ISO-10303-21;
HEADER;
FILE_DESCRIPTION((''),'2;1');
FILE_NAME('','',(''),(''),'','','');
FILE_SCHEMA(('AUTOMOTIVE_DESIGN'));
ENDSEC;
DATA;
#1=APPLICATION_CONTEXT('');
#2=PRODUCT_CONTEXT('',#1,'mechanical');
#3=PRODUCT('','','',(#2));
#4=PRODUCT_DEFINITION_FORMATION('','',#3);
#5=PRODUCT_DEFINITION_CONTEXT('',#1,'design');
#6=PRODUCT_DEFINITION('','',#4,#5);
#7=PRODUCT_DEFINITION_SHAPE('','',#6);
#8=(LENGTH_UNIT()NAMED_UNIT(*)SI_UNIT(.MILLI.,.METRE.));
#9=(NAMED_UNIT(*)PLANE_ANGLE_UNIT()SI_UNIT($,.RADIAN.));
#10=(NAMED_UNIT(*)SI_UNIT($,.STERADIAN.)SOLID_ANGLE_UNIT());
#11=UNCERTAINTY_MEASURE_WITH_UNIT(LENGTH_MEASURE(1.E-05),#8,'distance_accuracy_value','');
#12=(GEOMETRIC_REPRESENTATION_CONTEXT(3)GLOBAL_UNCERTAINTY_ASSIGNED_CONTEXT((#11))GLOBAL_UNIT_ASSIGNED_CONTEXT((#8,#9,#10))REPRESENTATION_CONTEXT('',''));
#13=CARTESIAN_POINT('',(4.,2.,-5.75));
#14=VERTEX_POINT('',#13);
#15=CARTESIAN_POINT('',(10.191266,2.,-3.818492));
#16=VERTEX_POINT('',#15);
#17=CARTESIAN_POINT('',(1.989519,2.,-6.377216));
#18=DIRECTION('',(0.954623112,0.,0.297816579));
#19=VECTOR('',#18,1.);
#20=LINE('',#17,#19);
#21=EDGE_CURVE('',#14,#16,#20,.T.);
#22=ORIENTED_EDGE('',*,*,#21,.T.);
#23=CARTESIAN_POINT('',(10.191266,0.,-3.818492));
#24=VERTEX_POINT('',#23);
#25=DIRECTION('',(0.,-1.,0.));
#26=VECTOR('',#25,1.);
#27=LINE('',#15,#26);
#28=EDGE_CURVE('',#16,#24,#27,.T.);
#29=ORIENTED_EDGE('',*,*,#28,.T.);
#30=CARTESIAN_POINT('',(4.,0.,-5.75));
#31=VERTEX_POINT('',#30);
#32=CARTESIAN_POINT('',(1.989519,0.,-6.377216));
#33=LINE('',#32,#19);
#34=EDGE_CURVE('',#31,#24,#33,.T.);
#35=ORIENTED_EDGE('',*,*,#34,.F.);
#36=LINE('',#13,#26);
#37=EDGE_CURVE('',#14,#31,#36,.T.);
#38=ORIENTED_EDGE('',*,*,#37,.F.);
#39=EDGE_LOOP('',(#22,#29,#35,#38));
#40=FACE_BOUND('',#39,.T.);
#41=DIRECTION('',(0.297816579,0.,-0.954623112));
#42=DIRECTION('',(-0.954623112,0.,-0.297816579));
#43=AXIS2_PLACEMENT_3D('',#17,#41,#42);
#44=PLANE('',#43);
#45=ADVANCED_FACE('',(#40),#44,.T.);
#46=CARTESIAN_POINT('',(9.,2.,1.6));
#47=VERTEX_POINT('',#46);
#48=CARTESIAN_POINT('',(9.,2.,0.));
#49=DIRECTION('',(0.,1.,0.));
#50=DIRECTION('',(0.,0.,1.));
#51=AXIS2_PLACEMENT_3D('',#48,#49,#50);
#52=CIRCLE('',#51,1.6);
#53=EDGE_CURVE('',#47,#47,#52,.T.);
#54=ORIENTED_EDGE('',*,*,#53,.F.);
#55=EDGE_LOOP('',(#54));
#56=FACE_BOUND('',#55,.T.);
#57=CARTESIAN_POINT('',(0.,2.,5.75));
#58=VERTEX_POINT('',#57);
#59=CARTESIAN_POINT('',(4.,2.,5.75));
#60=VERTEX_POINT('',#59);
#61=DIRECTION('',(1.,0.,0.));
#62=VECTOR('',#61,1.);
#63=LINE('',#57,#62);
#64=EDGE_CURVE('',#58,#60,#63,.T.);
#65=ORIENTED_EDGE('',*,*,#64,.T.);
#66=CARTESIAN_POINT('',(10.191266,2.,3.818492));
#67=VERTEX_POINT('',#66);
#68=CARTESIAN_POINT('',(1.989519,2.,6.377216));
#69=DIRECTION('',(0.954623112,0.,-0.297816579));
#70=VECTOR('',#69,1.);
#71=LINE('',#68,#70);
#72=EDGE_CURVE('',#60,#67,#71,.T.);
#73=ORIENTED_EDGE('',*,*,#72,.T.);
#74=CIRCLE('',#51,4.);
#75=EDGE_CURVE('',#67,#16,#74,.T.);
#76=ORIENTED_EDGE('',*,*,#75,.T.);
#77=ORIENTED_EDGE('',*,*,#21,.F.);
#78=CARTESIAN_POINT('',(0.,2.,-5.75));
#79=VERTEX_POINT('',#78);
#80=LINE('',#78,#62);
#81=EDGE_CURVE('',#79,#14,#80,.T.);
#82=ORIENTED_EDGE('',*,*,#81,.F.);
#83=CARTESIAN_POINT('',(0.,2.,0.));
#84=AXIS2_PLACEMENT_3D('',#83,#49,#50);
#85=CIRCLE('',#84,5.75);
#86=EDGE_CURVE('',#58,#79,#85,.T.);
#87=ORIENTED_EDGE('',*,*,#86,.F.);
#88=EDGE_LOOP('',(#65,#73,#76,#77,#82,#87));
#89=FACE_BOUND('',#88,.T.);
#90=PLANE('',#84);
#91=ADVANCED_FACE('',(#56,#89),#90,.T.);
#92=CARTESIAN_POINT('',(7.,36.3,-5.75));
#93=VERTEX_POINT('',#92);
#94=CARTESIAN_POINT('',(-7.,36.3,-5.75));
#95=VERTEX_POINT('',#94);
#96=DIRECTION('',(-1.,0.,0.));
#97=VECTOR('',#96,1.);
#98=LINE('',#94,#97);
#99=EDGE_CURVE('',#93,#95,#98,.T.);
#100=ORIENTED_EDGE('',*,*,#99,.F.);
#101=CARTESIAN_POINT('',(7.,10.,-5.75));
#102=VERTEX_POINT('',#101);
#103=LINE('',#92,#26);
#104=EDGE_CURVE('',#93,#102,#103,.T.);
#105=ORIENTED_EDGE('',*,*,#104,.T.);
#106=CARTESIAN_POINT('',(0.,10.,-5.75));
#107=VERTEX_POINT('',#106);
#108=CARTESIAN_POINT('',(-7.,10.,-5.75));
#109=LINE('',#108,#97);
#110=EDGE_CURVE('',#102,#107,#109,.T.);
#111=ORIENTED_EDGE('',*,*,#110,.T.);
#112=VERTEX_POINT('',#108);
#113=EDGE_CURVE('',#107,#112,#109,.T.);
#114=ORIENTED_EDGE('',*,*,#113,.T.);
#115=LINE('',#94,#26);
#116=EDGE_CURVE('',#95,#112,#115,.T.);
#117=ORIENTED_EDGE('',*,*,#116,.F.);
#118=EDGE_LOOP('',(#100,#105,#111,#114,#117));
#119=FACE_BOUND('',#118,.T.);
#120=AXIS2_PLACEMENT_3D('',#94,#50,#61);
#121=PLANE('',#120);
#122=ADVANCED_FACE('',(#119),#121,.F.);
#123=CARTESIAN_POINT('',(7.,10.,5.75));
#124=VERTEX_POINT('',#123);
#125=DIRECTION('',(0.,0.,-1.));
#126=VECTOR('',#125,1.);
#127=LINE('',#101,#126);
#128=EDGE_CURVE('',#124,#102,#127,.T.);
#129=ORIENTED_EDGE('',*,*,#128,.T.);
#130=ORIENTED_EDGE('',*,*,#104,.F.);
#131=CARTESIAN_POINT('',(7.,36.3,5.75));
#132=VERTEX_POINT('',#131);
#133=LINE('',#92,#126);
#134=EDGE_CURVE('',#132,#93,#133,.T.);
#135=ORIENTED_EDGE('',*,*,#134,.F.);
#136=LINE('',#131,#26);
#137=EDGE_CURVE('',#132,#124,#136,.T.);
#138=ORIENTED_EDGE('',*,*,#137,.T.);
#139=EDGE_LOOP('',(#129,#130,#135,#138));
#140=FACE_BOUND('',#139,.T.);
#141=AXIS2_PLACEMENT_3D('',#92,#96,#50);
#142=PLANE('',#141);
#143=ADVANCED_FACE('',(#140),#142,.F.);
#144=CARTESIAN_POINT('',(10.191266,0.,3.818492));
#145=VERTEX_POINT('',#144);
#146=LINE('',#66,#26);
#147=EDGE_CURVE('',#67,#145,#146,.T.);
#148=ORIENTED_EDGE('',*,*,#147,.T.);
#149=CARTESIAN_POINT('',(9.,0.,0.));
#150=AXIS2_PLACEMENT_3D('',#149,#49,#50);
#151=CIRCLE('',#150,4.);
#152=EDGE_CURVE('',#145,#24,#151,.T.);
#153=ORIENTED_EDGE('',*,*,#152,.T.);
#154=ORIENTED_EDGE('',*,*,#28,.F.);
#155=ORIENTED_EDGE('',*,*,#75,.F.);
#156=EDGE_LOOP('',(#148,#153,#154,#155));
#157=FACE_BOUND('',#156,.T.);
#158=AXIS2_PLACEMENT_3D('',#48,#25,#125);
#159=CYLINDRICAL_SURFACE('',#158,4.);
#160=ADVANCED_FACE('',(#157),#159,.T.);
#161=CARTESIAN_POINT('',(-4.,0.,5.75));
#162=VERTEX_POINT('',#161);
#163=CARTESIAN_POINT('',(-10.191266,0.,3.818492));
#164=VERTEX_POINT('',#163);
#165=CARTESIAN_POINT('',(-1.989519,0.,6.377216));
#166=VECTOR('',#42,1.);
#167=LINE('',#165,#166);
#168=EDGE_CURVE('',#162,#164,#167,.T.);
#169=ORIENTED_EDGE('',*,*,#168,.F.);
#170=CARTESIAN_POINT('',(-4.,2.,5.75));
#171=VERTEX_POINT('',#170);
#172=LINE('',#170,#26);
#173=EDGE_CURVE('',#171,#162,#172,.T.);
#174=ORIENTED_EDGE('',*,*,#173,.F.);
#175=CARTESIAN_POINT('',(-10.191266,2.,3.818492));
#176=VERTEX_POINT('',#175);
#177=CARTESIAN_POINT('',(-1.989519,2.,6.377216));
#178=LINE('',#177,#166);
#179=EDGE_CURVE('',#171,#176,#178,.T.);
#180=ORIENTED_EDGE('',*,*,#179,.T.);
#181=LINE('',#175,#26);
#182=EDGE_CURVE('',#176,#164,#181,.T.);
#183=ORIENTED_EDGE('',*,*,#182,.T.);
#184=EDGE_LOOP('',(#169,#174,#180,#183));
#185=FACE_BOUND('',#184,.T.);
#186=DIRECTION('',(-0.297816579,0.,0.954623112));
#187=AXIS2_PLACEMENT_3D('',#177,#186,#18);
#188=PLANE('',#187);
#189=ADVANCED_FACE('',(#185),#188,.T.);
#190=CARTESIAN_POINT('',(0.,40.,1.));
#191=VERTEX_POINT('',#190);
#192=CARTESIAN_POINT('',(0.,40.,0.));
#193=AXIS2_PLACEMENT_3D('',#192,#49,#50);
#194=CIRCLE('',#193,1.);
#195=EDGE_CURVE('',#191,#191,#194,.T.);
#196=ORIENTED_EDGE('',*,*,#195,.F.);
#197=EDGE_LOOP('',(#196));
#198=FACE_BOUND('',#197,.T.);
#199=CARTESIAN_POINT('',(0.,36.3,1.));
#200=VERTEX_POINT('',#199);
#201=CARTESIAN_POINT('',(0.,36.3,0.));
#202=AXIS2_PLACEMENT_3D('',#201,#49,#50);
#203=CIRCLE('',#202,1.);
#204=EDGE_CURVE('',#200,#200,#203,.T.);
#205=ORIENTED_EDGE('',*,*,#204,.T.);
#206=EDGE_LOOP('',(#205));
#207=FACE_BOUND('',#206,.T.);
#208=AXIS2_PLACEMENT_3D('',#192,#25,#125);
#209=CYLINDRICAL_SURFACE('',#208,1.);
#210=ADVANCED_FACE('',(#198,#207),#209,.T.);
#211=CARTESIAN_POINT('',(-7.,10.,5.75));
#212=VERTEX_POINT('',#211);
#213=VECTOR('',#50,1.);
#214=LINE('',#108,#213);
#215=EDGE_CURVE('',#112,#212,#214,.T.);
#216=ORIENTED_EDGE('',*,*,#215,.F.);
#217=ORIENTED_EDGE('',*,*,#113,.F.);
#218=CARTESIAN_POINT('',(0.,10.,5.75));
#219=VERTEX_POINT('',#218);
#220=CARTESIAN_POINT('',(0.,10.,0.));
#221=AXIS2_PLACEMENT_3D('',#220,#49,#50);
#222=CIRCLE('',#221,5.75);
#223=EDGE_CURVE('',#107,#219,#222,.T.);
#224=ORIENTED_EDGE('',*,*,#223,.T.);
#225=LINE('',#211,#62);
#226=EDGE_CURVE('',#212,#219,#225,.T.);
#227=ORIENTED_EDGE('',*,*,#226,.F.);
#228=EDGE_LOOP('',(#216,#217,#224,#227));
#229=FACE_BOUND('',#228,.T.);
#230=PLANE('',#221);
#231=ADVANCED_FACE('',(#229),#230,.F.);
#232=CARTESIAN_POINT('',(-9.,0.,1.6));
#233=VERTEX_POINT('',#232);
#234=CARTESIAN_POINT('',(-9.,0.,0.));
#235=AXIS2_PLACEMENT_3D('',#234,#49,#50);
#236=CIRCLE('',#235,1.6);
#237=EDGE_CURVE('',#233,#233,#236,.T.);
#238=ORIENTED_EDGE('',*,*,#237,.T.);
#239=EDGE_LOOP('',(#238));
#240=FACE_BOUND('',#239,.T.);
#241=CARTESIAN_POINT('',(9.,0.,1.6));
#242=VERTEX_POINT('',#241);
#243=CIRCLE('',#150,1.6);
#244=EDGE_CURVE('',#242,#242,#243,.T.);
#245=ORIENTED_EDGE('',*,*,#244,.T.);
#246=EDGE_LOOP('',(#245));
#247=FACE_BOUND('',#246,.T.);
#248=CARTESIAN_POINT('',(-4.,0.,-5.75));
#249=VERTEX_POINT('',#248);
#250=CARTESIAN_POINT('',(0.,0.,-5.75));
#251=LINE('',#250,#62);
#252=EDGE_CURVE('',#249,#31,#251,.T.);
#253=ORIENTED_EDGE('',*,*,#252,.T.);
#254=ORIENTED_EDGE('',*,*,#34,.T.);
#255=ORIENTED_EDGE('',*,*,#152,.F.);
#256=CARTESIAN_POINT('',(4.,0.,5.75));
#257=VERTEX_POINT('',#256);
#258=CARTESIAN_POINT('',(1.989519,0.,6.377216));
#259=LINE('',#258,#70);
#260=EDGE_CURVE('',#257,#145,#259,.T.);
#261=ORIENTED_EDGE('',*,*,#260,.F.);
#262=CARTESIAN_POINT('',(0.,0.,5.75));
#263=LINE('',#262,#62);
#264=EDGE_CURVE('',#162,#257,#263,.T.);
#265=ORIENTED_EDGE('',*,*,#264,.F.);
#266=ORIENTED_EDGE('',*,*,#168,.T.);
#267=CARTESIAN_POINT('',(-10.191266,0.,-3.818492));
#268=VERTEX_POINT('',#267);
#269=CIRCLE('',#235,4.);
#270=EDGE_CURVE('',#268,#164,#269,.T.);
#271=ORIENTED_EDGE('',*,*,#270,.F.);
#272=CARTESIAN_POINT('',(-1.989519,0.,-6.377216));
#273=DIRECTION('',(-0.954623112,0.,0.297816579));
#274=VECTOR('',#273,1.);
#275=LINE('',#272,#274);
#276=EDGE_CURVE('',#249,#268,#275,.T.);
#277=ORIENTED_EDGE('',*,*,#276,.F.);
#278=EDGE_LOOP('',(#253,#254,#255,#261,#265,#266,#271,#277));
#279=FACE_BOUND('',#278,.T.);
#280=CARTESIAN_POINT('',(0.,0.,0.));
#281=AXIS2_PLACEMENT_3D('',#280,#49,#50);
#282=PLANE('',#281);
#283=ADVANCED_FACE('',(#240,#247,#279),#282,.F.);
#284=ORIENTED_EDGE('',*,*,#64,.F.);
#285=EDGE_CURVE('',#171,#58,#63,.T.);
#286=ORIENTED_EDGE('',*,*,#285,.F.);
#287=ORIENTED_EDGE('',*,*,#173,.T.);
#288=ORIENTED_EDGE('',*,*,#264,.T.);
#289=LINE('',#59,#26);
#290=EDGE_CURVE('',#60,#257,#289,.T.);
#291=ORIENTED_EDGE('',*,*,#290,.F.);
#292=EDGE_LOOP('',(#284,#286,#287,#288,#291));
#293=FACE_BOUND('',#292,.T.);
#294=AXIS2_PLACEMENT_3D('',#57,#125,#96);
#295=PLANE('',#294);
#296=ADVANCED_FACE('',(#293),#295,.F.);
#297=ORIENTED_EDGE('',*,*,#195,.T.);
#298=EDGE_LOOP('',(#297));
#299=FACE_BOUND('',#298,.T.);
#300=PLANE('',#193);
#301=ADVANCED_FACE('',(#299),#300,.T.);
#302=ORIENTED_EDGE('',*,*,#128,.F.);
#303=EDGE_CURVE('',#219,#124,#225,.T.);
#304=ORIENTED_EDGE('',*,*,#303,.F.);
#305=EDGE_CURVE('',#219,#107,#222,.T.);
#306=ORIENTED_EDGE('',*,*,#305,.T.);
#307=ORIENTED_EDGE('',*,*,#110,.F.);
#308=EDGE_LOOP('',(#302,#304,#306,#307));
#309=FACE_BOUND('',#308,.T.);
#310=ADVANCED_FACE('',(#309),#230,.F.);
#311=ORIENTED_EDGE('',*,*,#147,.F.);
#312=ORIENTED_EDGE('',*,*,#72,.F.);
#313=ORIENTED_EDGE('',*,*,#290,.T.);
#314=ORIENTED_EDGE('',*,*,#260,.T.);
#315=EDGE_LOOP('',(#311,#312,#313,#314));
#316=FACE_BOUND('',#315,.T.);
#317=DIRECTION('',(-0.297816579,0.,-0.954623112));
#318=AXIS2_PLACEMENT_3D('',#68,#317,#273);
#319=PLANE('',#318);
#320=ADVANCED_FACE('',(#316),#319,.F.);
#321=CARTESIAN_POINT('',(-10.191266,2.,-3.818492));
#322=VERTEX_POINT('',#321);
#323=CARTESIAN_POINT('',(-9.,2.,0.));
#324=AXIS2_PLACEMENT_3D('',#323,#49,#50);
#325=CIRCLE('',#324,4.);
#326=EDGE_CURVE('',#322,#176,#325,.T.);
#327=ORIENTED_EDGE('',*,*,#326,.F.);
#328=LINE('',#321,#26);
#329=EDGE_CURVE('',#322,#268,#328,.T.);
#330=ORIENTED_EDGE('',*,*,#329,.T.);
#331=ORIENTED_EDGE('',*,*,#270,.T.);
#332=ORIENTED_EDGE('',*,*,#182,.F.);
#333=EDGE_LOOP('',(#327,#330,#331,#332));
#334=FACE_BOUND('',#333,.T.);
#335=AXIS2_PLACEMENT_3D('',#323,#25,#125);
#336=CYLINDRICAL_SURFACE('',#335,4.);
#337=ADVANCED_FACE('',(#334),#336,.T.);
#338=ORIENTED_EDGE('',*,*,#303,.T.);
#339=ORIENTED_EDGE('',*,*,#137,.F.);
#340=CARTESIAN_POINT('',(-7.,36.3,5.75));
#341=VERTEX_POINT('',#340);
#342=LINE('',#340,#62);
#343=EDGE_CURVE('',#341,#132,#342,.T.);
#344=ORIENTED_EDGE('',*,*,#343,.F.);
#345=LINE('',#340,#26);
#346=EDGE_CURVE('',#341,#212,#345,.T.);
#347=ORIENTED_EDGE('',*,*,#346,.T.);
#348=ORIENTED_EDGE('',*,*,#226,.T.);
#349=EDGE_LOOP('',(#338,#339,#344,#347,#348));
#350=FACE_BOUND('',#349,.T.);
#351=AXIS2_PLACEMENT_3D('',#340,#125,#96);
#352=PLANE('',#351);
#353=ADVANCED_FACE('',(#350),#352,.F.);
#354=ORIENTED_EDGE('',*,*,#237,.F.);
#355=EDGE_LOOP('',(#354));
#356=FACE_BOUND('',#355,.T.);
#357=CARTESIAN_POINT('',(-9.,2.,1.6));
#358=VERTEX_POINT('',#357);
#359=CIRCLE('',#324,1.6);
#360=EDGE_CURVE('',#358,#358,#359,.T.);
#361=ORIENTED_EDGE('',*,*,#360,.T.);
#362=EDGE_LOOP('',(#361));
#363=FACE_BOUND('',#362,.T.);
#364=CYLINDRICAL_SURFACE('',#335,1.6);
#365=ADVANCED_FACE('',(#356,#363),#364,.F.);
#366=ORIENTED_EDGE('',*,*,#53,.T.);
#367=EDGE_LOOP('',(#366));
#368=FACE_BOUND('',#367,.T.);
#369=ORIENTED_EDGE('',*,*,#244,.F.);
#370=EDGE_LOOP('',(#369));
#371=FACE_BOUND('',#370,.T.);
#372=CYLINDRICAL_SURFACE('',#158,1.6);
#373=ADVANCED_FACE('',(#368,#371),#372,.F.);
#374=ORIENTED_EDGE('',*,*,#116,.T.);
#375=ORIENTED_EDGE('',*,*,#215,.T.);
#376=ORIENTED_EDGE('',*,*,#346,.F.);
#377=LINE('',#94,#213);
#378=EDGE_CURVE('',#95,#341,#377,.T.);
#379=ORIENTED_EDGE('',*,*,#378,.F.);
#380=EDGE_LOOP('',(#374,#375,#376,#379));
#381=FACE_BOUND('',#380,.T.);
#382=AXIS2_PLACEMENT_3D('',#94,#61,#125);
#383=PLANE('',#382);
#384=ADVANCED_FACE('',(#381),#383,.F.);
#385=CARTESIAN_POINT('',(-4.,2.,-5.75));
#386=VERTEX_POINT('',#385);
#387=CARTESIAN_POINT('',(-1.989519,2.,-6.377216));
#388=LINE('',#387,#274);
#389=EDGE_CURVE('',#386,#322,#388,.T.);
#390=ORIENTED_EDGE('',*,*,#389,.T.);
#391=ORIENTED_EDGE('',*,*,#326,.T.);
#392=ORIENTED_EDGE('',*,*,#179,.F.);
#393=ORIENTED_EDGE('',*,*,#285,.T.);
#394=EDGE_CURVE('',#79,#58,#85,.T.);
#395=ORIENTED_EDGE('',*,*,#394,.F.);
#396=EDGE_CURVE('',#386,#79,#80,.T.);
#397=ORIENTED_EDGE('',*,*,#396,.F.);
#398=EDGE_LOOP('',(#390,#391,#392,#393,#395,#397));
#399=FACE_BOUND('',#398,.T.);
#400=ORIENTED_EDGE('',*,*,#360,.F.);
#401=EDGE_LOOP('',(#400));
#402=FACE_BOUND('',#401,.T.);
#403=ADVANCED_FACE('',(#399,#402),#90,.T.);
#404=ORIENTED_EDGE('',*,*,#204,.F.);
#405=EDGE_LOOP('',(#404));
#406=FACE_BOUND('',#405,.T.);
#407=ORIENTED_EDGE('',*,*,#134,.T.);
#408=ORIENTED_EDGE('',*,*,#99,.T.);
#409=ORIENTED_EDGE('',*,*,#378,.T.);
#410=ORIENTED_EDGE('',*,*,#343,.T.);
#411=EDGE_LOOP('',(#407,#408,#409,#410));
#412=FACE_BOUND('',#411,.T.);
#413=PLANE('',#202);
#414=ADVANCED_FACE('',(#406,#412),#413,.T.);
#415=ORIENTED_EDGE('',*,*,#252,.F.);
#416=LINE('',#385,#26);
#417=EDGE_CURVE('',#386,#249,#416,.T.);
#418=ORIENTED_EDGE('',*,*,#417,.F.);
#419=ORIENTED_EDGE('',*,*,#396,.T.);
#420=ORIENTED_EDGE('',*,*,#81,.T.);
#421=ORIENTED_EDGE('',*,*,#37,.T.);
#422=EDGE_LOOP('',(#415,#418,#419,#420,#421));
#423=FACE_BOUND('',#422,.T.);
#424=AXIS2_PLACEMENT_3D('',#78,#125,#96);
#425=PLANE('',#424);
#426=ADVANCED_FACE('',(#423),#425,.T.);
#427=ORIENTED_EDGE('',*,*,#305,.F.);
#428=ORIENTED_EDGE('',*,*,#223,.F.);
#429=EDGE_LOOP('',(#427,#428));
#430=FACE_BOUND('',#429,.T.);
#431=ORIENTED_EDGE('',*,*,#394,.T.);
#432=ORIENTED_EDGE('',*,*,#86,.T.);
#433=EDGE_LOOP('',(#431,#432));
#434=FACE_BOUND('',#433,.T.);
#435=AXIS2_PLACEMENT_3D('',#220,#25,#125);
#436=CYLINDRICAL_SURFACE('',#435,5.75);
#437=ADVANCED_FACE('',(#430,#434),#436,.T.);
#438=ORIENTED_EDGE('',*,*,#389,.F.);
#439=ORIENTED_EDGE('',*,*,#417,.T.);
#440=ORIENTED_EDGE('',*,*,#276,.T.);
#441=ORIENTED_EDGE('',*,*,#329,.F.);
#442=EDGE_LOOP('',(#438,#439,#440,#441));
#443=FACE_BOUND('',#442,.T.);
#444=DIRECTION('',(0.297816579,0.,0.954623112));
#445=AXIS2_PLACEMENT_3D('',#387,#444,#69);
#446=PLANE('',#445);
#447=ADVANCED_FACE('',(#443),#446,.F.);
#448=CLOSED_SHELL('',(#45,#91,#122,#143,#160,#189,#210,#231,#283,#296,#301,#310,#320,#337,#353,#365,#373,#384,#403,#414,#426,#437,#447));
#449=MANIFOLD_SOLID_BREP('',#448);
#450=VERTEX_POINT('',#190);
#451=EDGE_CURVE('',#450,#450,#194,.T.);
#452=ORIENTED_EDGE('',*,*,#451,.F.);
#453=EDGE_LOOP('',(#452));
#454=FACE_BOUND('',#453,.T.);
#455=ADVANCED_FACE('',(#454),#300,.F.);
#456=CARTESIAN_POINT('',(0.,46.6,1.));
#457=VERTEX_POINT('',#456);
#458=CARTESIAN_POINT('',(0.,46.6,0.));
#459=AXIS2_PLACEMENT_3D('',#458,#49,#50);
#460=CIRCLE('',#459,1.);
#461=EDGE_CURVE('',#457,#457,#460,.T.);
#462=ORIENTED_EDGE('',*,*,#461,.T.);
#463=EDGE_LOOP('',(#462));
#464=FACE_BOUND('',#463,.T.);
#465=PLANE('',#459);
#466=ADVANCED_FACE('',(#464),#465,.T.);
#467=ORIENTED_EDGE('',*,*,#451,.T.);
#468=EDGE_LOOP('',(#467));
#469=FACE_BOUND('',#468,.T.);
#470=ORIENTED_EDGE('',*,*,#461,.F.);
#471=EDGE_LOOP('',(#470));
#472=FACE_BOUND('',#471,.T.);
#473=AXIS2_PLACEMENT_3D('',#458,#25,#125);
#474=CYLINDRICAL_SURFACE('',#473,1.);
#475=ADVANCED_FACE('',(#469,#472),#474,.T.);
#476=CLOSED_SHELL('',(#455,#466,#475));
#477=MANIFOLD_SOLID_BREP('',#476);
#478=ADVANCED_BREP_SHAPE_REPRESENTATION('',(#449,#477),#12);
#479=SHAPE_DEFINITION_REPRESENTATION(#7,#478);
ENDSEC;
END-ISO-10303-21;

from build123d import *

# Parameters (mm, degrees)
SKETCH1_R           = 1.6
BOSS_EXTRUDE1_DEPTH = 2
SKETCH2_R           = 5.75
BOSS_EXTRUDE2_DEPTH = 8
SKETCH3_W           = 14
SKETCH3_H           = 11.5
BOSS_EXTRUDE3_DEPTH = 26.3
SKETCH4_R           = 1
BOSS_EXTRUDE4_DEPTH = 3.7
BOSS_EXTRUDE5_START = 3.7
SKETCH4_2_R         = 1
BOSS_EXTRUDE5_DEPTH = 6.6


with BuildPart() as part:
    # Sketch1 → Boss-Extrude1 (new body)
    # profile 1 of 3: a face of its own
    with BuildSketch(Plane(origin=(0, 0, 0), x_dir=(1, 0, 0), z_dir=(0, 1, 0))):
        with BuildLine():
            Line((-9, -4), (9, -4))
            ThreePointArc((9, -4), (13, 0), (9, 4))
            Line((9, 4), (-9, 4))
            ThreePointArc((-9, 4), (-13, 0), (-9, -4))
        make_face()
        with Locations(Location((-9, 0, 0), (0, 0, 270))):
            Circle(SKETCH1_R, mode=Mode.SUBTRACT)
        with Locations(Location((9, 0, 0), (0, 0, 270))):
            Circle(SKETCH1_R, mode=Mode.SUBTRACT)
    # profile 2 of 3: a face of its own
    with BuildSketch(Plane(origin=(0, 0, 0), x_dir=(1, 0, 0), z_dir=(0, 1, 0))):
        with BuildLine():
            ThreePointArc((-10.191266314, 3.818492447), (-9.602507349, 3.954362767), (-9, 4))
            Line((-9, 4), (9, 4))
            ThreePointArc((9, 4), (9.602507349, 3.954362767), (10.191266314, 3.818492447))
            Line((10.191266314, 3.818492447), (4, 5.75))
            Line((4, 5.75), (-4, 5.75))
            Line((-4, 5.75), (-10.191266314, 3.818492447))
        make_face()
    # profile 3 of 3: a face of its own
    with BuildSketch(Plane(origin=(0, 0, 0), x_dir=(1, 0, 0), z_dir=(0, 1, 0))):
        with BuildLine():
            ThreePointArc((-9, -4), (-9.602507349, -3.954362767), (-10.191266314, -3.818492447))
            Line((-10.191266314, -3.818492447), (-4, -5.75))
            Line((-4, -5.75), (4, -5.75))
            Line((4, -5.75), (10.191266314, -3.818492447))
            ThreePointArc((10.191266314, -3.818492447), (9.602507349, -3.954362767), (9, -4))
            Line((9, -4), (-9, -4))
        make_face()
    extrude(amount=BOSS_EXTRUDE1_DEPTH)

    # Sketch2 → Boss-Extrude2 (add)
    with BuildSketch(Plane(origin=(0, 2, 0), x_dir=(1, 0, 0), z_dir=(0, 1, 0))):
        with Locations(Location((0, 0, 0), (0, 0, 270))):
            Circle(SKETCH2_R)
    extrude(amount=BOSS_EXTRUDE2_DEPTH)

    # Sketch3 → Boss-Extrude3 (add)
    with BuildSketch(Plane(origin=(0, 10, 0), x_dir=(1, 0, 0), z_dir=(0, 1, 0))):
        Rectangle(SKETCH3_W, SKETCH3_H)
    extrude(amount=BOSS_EXTRUDE3_DEPTH)

    # Sketch4 → Boss-Extrude4 (add)
    with BuildSketch(Plane(origin=(0, 36.3, 0), x_dir=(1, 0, 0), z_dir=(0, 1, 0))):
        with Locations(Location((0, 0, 0), (0, 0, 270))):
            Circle(SKETCH4_R)
    extrude(amount=BOSS_EXTRUDE4_DEPTH)


with BuildPart() as body_2:
    # Sketch4<2> → Boss-Extrude5 (new body)
    with BuildSketch(Plane(origin=(0, 36.3, 0), x_dir=(1, 0, 0), z_dir=(0, 1, 0)).offset(BOSS_EXTRUDE5_START)):
        with Locations(Location((0, 0, 0), (0, 0, 270))):
            Circle(SKETCH4_2_R)
    extrude(amount=BOSS_EXTRUDE5_DEPTH)


solid = Compound([part.part, body_2.part])
